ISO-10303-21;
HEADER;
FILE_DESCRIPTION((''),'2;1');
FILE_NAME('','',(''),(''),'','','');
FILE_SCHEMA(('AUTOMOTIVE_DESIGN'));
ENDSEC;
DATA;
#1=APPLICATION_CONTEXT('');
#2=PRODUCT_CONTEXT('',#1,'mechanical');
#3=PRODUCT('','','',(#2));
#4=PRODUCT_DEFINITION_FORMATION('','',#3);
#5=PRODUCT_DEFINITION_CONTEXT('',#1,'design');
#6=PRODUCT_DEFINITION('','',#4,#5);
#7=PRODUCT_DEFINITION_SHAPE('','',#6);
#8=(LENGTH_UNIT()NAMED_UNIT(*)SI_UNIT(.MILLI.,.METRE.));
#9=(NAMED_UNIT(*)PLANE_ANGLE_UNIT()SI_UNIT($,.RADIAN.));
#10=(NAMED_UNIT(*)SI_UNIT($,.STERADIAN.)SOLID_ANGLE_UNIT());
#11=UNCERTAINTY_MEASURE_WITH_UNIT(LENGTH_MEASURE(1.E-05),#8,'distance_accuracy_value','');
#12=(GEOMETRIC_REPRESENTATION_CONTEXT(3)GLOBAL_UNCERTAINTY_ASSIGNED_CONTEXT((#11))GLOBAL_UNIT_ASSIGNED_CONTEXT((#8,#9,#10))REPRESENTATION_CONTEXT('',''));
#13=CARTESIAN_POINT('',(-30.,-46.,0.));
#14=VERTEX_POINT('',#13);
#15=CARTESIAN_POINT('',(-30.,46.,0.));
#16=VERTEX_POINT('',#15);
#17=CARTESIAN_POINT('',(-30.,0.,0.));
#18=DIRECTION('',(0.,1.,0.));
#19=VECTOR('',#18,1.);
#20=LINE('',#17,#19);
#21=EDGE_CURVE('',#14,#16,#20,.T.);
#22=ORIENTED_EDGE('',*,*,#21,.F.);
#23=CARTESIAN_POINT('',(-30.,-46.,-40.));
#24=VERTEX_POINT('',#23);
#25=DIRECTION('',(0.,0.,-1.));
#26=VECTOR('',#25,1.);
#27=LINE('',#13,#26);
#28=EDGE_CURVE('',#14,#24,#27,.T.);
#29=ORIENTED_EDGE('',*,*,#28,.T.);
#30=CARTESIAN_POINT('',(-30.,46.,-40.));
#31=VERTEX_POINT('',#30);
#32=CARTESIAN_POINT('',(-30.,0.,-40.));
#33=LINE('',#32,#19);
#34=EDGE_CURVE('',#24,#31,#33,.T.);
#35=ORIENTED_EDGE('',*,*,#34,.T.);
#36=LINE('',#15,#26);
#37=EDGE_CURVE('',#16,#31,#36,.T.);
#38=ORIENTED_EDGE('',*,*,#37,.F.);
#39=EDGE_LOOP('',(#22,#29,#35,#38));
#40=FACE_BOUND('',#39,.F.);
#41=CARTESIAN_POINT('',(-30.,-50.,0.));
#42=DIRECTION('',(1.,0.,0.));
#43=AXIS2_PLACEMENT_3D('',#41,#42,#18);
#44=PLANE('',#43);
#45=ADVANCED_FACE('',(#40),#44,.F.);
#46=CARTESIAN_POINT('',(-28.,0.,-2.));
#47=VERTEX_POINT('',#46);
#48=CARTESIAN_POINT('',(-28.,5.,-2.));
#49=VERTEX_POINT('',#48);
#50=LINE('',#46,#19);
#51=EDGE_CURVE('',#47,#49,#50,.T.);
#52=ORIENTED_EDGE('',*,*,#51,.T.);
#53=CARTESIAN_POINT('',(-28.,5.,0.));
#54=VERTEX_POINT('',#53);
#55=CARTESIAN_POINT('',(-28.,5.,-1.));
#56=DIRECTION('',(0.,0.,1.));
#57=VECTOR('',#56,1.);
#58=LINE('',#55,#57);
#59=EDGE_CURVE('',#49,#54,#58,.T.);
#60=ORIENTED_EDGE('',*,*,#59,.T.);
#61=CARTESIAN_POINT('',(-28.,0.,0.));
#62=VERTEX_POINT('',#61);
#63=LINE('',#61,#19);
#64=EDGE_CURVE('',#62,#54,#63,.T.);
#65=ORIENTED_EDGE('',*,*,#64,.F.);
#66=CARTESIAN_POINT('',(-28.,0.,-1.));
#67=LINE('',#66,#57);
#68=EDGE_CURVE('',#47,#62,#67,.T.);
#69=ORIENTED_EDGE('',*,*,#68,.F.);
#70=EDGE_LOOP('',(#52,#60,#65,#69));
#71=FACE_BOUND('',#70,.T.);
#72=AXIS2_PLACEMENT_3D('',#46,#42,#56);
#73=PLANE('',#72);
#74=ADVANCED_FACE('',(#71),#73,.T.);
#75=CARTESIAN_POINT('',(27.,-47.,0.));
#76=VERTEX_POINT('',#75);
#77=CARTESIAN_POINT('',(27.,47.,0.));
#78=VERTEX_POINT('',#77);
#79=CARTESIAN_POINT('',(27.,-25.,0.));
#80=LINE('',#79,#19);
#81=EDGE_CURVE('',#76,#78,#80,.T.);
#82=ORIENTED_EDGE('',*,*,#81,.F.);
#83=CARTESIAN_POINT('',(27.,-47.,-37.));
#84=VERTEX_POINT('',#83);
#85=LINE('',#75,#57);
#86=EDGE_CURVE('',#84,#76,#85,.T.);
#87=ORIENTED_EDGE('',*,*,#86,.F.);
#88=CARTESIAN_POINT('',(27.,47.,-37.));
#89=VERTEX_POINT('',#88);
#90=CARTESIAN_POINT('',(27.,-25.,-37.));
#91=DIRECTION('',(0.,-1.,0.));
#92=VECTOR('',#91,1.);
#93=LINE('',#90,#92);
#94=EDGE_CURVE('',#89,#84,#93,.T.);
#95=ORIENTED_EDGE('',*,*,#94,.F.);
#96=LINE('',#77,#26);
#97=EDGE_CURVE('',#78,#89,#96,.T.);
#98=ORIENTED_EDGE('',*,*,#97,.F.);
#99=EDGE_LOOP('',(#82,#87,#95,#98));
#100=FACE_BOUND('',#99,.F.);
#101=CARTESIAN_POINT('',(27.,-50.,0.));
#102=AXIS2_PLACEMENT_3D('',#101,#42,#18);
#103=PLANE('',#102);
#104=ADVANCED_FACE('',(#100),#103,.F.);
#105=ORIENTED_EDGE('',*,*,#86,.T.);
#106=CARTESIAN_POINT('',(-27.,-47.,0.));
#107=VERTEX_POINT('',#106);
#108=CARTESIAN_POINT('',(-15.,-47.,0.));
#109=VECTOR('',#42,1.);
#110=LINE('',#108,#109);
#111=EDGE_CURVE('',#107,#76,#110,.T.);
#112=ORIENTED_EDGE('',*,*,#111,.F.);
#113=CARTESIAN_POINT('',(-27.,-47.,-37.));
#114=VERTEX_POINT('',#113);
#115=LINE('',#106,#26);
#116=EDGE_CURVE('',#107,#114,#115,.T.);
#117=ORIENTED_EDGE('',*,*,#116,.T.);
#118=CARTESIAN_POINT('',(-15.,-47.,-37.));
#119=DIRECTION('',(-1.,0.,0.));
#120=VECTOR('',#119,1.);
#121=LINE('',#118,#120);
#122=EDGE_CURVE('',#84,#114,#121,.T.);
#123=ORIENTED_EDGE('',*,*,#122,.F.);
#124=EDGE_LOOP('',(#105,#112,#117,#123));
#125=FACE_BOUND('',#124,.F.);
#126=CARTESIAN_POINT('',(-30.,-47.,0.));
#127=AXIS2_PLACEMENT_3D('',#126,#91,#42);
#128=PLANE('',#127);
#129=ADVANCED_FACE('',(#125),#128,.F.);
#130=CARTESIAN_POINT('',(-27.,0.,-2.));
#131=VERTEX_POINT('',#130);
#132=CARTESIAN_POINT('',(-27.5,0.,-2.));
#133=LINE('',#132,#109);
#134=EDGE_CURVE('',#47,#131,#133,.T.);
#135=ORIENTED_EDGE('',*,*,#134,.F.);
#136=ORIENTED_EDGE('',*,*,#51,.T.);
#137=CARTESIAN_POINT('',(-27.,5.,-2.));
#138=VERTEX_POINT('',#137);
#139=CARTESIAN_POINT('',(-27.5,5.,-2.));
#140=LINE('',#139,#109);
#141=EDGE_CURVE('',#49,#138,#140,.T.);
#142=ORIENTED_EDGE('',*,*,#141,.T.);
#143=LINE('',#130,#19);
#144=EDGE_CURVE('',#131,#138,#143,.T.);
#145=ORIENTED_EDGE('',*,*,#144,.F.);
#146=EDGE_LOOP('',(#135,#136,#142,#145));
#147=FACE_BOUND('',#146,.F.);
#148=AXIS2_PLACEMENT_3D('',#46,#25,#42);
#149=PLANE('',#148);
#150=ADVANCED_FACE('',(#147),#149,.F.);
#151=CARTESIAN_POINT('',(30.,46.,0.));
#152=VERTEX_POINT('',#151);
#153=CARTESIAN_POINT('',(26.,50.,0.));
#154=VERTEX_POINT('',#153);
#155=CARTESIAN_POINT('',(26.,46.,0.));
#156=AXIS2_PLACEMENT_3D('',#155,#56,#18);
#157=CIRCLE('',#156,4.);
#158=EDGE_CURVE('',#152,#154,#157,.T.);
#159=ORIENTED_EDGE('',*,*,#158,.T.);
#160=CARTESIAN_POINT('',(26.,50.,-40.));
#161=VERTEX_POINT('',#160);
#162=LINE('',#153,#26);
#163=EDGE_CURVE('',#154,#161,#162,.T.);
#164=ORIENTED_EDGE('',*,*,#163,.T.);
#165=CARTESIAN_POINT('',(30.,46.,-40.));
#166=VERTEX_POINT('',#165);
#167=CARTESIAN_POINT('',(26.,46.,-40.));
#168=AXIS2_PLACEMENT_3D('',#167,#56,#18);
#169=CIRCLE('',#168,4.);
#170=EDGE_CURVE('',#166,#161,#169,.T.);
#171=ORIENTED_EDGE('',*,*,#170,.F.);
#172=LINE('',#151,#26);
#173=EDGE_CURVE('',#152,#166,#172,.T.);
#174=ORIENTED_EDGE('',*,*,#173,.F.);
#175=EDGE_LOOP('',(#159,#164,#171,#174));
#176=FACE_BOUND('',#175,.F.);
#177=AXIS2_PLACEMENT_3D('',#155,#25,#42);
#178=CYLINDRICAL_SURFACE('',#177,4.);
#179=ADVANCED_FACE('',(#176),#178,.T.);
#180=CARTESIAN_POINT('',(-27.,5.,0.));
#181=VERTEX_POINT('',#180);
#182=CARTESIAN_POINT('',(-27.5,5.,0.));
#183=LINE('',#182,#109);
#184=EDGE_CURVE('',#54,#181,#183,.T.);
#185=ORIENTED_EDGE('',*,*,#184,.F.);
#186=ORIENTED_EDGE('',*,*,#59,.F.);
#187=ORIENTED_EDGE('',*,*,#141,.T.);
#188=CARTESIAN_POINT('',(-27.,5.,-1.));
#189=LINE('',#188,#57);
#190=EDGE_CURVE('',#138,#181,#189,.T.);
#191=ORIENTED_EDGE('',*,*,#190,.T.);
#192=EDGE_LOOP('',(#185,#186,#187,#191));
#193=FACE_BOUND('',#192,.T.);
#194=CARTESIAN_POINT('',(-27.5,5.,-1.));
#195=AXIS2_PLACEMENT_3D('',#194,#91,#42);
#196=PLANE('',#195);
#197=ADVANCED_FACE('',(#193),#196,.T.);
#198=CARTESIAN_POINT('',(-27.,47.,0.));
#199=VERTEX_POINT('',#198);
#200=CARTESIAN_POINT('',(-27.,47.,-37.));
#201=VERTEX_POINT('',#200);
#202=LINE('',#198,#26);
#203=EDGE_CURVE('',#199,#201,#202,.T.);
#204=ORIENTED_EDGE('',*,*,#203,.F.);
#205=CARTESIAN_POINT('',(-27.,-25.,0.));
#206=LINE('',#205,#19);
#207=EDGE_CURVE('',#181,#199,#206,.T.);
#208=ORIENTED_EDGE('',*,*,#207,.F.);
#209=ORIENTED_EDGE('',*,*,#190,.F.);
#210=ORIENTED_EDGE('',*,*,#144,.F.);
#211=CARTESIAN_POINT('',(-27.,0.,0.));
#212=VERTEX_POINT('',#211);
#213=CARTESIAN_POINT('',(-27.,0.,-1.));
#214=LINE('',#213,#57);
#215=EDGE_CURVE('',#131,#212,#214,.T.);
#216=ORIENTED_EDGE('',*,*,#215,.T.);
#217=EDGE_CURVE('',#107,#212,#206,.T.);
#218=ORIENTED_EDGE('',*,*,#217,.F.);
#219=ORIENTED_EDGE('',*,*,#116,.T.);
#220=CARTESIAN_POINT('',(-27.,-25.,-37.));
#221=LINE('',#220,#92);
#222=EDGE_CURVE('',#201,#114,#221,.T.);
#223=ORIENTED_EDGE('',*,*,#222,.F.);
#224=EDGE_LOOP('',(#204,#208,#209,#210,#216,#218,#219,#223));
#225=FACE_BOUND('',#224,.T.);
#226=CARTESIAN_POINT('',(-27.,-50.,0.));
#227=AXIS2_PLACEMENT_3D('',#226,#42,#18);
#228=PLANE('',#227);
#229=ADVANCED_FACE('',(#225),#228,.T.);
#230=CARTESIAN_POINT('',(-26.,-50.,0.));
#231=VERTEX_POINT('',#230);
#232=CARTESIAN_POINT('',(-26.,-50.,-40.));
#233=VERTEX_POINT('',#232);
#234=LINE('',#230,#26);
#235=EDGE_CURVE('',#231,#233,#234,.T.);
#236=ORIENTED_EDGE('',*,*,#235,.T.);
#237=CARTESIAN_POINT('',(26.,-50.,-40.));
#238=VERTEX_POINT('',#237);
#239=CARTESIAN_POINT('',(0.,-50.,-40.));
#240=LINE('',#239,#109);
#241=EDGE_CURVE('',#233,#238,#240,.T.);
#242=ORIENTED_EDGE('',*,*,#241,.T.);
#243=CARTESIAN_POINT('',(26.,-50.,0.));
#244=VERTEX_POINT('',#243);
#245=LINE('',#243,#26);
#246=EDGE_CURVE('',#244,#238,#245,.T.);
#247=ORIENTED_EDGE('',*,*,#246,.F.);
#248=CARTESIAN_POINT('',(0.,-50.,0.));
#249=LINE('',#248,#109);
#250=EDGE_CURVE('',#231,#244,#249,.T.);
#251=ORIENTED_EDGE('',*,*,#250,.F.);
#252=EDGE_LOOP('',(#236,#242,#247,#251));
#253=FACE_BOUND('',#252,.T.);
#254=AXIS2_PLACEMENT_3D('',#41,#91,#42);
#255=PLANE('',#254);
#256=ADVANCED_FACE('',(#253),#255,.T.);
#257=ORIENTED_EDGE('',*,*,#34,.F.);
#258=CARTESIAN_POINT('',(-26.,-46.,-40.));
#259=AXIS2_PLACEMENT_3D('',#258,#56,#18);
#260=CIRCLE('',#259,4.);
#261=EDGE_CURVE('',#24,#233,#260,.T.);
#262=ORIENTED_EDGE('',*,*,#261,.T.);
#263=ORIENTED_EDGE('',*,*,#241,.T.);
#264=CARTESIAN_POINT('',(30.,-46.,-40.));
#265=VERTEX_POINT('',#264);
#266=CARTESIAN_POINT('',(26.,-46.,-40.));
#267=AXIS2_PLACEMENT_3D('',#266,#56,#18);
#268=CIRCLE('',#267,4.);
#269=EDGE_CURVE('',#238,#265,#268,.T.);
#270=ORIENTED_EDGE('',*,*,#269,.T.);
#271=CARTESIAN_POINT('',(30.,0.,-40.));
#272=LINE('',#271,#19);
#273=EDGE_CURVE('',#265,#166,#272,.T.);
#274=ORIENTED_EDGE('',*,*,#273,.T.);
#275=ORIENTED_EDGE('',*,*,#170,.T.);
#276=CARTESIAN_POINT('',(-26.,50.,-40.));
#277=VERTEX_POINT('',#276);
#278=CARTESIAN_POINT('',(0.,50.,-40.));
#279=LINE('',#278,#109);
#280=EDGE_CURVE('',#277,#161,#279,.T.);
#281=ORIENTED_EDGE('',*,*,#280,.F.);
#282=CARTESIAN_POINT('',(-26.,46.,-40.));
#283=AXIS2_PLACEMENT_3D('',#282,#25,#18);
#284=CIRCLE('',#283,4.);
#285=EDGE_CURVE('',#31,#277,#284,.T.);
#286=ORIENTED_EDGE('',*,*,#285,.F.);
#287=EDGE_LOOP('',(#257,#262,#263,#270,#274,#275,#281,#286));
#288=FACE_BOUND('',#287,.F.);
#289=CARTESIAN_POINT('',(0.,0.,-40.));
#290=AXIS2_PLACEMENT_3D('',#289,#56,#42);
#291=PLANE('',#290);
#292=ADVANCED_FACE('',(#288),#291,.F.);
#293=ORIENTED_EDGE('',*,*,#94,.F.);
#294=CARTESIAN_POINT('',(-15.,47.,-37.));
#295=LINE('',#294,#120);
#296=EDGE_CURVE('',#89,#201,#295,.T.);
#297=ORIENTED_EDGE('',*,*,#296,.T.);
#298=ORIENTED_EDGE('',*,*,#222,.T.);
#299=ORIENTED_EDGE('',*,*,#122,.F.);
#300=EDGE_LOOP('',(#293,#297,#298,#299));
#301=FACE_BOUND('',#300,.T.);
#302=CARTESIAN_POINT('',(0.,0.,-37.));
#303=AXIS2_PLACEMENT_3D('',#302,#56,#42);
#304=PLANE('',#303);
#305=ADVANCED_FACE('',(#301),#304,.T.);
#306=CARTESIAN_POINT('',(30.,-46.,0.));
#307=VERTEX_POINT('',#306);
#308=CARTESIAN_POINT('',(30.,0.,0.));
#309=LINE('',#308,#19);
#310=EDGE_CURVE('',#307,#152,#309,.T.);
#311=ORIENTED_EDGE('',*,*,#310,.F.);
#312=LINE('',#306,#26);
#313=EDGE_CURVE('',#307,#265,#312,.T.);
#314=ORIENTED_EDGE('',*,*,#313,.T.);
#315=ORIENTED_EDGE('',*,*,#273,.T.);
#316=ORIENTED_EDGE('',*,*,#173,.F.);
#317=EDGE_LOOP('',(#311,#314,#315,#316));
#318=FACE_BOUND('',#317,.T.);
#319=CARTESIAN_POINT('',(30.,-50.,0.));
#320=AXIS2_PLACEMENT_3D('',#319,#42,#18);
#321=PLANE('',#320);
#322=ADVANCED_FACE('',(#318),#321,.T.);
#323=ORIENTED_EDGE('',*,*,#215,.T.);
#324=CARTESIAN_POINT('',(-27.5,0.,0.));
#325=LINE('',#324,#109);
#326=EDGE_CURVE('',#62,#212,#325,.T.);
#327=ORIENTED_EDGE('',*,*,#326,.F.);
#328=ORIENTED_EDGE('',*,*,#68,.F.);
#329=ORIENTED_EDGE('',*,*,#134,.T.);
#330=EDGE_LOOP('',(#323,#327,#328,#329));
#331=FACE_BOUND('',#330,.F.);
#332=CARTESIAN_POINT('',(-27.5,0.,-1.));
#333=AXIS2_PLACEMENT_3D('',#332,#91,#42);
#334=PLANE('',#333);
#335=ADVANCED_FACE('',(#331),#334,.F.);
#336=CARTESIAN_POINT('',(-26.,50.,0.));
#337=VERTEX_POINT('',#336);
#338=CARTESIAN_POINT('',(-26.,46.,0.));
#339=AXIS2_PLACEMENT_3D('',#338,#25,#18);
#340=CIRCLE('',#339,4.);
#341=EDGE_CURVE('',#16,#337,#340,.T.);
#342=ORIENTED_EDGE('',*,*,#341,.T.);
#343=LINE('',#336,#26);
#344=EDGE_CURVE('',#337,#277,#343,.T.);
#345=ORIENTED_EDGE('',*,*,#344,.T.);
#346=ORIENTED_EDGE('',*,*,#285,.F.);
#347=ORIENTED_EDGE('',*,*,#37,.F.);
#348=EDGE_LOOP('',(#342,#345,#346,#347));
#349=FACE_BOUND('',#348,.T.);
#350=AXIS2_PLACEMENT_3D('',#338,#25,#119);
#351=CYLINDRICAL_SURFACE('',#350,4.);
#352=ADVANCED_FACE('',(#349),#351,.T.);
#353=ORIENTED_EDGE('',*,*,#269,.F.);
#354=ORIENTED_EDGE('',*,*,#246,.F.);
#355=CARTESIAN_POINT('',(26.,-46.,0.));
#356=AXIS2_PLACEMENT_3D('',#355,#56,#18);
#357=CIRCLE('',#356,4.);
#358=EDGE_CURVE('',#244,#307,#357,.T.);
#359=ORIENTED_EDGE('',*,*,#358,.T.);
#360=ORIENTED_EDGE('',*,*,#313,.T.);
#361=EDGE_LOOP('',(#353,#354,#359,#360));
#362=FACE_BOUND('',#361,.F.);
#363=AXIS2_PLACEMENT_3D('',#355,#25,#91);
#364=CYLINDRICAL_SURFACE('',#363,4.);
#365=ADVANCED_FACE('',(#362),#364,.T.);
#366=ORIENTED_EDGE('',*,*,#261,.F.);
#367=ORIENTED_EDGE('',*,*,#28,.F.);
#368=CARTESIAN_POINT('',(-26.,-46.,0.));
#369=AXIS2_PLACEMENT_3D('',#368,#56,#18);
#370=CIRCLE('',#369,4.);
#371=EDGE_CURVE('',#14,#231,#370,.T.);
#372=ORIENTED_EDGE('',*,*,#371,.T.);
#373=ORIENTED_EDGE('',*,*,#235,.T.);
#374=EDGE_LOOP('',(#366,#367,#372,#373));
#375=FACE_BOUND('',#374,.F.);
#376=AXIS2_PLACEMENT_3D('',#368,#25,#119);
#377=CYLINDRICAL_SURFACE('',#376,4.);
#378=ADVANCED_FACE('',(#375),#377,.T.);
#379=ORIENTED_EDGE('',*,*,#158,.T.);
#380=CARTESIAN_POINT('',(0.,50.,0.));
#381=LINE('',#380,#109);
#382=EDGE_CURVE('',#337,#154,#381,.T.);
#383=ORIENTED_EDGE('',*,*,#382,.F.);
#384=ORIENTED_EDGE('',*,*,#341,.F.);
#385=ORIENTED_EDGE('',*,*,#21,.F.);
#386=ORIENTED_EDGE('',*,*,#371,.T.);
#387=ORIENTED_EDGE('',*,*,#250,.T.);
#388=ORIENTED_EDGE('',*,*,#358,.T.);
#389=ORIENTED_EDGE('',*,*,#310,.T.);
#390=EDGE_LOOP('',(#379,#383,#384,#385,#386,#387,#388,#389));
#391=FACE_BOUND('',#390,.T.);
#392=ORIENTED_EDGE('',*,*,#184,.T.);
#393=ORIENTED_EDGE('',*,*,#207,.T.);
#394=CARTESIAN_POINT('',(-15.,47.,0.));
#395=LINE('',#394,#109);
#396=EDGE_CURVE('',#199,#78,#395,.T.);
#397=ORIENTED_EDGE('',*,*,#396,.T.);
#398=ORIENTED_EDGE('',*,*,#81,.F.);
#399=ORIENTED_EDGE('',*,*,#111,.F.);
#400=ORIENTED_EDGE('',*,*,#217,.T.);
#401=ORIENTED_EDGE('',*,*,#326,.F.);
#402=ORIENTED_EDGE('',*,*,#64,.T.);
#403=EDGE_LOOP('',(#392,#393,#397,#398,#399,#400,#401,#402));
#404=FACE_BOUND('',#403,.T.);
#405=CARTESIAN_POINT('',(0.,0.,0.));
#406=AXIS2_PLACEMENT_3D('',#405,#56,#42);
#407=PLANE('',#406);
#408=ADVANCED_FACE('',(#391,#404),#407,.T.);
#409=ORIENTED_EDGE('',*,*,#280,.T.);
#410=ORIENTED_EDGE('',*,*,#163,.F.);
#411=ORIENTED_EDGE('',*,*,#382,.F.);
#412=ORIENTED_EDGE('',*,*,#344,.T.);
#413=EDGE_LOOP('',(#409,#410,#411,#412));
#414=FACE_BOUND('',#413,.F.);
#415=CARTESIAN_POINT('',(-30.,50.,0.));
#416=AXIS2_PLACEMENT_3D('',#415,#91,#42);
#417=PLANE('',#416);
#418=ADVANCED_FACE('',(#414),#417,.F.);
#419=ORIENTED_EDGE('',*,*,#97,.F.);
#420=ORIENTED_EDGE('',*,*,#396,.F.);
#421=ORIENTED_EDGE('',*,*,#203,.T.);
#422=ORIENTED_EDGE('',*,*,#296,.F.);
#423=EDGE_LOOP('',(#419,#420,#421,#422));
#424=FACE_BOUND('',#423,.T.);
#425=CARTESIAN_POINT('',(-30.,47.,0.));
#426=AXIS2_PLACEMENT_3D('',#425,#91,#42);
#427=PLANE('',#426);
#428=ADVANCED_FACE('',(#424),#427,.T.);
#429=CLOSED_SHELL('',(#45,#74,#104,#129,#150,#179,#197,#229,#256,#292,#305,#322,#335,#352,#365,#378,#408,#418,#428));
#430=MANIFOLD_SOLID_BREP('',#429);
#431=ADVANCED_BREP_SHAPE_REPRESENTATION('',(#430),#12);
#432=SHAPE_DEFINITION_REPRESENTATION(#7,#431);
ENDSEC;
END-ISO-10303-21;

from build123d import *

# Parameters (mm, degrees)
SKETCH_W     = 60
SKETCH_H     = 100
PAD_DEPTH    = 40
THICKNESS_T  = -3
FILLET_R     = 4
SKETCH002_W  = 1
SKETCH002_H  = 2
POCKET_DEPTH = 5


with BuildPart() as part:
    # Sketch → Pad (new body)
    with BuildSketch(Plane.XY):
        Rectangle(SKETCH_W, SKETCH_H)
    extrude(amount=-PAD_DEPTH)

    # Thickness
    thickness_openings = [part.faces().sort_by_distance(p)[0] for p in [
        (0, 0, 0),
    ]]
    offset(amount=THICKNESS_T, openings=thickness_openings, kind=Kind.INTERSECTION)

    # Fillet
    fillet_edges = [part.edges().sort_by_distance(p)[0] for p in [
        (30, -50, -20),
        (-30, -50, -20),
        (30, 50, -20),
        (-30, 50, -20),
    ]]
    fillet(fillet_edges, radius=FILLET_R)

    # Sketch002 → Pocket (cut)
    with BuildSketch(Plane.XZ):
        with Locations((-27.5, -1)):
            Rectangle(SKETCH002_W, SKETCH002_H)
    extrude(amount=-POCKET_DEPTH, mode=Mode.SUBTRACT)


solid = part.part
